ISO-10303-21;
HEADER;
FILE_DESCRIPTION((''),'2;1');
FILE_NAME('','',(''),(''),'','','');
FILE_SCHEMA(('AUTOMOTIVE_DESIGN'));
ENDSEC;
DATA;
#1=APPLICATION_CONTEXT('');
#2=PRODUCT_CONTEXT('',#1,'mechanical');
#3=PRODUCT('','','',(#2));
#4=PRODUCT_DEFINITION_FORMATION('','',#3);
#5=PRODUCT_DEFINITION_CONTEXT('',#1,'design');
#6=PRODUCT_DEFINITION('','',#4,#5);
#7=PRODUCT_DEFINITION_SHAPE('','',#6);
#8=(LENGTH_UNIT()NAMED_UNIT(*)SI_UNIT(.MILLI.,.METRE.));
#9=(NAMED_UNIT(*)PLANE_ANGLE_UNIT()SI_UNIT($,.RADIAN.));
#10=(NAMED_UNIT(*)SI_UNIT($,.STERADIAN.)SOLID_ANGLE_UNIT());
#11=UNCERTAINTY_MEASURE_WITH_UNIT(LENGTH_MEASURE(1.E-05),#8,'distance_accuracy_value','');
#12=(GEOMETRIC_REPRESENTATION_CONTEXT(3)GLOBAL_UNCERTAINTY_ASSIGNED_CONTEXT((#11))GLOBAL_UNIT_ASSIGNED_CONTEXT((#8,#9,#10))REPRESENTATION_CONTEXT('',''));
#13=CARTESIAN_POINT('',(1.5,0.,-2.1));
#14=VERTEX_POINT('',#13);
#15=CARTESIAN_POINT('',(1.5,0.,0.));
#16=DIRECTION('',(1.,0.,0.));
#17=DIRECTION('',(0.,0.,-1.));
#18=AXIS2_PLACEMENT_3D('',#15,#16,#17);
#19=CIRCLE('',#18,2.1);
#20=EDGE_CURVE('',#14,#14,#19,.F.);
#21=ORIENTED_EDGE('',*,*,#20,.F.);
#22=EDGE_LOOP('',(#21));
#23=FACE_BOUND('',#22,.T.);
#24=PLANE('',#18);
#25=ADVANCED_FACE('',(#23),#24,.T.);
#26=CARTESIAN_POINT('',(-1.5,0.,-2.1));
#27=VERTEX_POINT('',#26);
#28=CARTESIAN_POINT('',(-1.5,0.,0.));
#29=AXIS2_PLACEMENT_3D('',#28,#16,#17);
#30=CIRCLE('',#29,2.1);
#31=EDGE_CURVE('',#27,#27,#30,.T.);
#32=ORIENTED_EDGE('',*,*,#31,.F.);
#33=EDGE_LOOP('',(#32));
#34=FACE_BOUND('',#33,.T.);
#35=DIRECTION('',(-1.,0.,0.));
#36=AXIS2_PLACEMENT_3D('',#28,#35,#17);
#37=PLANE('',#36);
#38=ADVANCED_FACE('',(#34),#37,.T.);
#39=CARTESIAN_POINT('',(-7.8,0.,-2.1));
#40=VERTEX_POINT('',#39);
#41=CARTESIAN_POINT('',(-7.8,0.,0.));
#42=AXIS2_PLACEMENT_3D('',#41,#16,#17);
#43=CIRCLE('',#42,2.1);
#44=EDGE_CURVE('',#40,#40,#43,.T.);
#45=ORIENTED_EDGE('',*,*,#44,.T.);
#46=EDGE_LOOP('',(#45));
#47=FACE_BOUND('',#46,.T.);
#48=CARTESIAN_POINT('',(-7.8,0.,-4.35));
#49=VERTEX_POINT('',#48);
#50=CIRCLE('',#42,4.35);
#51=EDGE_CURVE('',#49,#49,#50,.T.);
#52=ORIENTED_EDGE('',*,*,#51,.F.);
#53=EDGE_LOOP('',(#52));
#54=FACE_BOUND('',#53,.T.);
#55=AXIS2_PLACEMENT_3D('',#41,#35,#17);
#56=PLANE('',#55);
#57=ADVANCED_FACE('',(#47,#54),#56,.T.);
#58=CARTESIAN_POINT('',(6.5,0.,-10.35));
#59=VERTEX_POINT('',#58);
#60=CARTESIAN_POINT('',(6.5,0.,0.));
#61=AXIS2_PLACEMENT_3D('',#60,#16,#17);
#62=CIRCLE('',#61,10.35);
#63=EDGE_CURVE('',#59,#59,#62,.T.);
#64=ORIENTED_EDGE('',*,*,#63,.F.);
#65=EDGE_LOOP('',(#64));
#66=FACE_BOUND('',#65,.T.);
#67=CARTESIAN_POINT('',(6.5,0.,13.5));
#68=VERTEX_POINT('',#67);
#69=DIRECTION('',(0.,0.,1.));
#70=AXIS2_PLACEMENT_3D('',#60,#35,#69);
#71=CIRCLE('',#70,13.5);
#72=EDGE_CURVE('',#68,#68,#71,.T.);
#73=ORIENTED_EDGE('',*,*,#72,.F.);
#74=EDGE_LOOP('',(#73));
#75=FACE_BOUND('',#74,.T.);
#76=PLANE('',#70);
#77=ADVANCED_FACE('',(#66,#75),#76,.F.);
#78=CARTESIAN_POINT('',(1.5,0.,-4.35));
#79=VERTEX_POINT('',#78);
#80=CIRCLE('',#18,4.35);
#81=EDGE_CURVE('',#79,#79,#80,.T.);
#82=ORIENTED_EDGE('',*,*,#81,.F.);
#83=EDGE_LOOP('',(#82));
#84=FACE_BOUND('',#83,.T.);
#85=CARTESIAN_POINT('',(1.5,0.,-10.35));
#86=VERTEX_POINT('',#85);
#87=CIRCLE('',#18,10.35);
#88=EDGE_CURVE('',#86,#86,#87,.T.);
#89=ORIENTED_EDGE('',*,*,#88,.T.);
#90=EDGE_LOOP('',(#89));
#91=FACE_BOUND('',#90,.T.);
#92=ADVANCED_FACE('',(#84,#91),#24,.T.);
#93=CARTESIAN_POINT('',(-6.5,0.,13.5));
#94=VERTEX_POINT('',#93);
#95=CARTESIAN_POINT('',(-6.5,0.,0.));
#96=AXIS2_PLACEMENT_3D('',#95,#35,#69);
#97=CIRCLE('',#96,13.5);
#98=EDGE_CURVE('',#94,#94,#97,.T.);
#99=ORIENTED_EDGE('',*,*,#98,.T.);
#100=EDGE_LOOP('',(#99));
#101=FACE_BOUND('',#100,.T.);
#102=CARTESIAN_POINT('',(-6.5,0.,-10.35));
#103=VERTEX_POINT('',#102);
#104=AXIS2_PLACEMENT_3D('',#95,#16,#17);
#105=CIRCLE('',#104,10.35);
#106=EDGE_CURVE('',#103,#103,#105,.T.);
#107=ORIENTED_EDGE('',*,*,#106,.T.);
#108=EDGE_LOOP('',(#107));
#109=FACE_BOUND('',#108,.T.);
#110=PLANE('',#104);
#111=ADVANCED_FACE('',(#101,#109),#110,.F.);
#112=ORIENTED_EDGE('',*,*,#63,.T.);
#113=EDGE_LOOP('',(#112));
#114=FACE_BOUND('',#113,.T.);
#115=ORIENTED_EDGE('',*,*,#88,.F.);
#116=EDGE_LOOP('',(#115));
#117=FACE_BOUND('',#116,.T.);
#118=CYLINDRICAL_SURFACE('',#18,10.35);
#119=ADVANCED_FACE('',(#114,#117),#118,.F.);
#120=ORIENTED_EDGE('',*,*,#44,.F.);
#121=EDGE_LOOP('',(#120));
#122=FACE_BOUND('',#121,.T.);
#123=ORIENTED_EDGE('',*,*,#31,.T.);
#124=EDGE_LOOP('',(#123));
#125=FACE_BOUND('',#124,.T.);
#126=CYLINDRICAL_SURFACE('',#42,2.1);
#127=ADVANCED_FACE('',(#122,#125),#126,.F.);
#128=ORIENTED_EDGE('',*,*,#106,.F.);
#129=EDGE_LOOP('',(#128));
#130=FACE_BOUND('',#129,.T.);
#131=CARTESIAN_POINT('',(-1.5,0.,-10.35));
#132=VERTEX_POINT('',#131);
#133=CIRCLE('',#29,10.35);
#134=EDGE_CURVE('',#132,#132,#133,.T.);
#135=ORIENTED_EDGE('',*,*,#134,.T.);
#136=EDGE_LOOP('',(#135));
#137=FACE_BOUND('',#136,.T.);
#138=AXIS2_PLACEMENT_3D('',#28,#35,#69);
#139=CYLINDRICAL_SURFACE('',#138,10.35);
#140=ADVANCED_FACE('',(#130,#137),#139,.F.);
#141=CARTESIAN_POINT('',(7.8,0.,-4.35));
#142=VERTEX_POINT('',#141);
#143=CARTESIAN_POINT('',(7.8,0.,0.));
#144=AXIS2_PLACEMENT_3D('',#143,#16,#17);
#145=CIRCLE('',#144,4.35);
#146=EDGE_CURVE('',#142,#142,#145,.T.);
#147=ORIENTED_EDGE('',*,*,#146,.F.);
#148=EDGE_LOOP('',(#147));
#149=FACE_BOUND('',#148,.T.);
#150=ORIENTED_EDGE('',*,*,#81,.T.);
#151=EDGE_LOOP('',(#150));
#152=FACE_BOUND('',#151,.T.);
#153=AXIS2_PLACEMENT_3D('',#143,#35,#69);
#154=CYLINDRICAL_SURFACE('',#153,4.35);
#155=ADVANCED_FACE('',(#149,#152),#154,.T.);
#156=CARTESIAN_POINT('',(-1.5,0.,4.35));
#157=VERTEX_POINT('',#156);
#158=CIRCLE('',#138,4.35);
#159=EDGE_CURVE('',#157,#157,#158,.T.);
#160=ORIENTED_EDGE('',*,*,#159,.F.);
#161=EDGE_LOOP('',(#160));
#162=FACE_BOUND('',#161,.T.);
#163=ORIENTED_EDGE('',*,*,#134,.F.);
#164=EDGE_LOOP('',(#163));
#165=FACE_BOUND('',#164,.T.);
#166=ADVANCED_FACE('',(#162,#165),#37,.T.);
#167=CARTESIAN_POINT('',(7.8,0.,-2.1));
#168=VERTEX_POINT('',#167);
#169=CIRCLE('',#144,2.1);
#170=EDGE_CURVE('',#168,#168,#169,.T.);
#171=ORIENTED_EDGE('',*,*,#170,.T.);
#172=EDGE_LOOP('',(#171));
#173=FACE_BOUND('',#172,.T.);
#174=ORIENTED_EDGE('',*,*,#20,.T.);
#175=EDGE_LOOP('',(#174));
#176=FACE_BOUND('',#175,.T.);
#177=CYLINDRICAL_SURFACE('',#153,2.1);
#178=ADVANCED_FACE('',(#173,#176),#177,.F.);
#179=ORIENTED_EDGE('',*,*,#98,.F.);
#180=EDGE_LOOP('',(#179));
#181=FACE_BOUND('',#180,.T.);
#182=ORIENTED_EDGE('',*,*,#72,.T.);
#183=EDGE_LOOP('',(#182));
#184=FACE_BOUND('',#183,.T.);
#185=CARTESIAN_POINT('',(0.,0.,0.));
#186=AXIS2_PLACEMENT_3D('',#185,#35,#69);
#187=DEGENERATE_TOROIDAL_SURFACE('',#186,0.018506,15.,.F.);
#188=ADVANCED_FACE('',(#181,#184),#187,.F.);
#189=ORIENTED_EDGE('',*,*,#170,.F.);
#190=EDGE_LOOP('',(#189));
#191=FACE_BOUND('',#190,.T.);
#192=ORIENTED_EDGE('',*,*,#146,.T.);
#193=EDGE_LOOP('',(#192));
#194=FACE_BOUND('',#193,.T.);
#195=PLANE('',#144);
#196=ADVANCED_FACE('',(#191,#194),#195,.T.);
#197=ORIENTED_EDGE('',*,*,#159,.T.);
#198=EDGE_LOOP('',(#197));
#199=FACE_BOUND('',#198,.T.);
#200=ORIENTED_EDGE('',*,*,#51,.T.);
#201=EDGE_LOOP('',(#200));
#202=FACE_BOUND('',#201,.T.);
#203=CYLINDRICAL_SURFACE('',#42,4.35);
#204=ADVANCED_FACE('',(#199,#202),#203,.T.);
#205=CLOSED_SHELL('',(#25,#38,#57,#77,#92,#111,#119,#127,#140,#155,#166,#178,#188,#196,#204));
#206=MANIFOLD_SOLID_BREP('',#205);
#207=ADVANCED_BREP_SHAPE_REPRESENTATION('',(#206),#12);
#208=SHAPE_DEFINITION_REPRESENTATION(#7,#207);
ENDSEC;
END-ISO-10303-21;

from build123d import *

# Parameters (mm, degrees)
SKETCH6_R           = 10.35
CUT_EXTRUDE1_DEPTH  = 5
SKETCH7_R           = 4.35
SKETCH7_R_2         = 2.1
BOSS_EXTRUDE3_DEPTH = 6.3


with BuildPart() as part:
    # Sketch5 → Revolve1 (revolve)
    with BuildSketch(Plane.XY, mode=Mode.PRIVATE) as revolve1_sk:
        with BuildLine():
            Line((6.5, 0), (6.5, 13.5))
            ThreePointArc((6.5, 13.5), (0, 14.981494165), (-6.5, 13.5))
            Line((-6.5, 13.5), (-6.5, 0))
            Line((-6.5, 0), (6.5, 0))
        make_face()
    revolve(revolve1_sk.sketch.rotate(Axis((-6.5, 0, 0), (1, 0, 0)), 90), axis=Axis((-6.5, 0, 0), (1, 0, 0)))

    # Sketch6 → Cut-Extrude1 (cut)
    with BuildSketch(Plane(origin=(6.5, 0, 0), x_dir=(0, 0, -1), z_dir=(1, 0, 0))):
        Circle(SKETCH6_R)
    cut_extrude1 = extrude(amount=-CUT_EXTRUDE1_DEPTH, mode=Mode.SUBTRACT)

    # Sketch7 → Boss-Extrude3 (add)
    with BuildSketch(Plane(origin=(1.5, 0, 0), x_dir=(0, 0, -1), z_dir=(1, 0, 0))):
        Circle(SKETCH7_R)
        Circle(SKETCH7_R_2, mode=Mode.SUBTRACT)
    boss_extrude3 = extrude(amount=BOSS_EXTRUDE3_DEPTH)

    # Mirror2: Cut-Extrude1, Boss-Extrude3 across plane
    add(cut_extrude1.mirror(Plane(origin=(0, 0, 0), x_dir=(0, 0, 1), z_dir=(1, 0, 0))), mode=Mode.SUBTRACT)
    add(boss_extrude3.mirror(Plane(origin=(0, 0, 0), x_dir=(0, 0, 1), z_dir=(1, 0, 0))))


solid = part.part
